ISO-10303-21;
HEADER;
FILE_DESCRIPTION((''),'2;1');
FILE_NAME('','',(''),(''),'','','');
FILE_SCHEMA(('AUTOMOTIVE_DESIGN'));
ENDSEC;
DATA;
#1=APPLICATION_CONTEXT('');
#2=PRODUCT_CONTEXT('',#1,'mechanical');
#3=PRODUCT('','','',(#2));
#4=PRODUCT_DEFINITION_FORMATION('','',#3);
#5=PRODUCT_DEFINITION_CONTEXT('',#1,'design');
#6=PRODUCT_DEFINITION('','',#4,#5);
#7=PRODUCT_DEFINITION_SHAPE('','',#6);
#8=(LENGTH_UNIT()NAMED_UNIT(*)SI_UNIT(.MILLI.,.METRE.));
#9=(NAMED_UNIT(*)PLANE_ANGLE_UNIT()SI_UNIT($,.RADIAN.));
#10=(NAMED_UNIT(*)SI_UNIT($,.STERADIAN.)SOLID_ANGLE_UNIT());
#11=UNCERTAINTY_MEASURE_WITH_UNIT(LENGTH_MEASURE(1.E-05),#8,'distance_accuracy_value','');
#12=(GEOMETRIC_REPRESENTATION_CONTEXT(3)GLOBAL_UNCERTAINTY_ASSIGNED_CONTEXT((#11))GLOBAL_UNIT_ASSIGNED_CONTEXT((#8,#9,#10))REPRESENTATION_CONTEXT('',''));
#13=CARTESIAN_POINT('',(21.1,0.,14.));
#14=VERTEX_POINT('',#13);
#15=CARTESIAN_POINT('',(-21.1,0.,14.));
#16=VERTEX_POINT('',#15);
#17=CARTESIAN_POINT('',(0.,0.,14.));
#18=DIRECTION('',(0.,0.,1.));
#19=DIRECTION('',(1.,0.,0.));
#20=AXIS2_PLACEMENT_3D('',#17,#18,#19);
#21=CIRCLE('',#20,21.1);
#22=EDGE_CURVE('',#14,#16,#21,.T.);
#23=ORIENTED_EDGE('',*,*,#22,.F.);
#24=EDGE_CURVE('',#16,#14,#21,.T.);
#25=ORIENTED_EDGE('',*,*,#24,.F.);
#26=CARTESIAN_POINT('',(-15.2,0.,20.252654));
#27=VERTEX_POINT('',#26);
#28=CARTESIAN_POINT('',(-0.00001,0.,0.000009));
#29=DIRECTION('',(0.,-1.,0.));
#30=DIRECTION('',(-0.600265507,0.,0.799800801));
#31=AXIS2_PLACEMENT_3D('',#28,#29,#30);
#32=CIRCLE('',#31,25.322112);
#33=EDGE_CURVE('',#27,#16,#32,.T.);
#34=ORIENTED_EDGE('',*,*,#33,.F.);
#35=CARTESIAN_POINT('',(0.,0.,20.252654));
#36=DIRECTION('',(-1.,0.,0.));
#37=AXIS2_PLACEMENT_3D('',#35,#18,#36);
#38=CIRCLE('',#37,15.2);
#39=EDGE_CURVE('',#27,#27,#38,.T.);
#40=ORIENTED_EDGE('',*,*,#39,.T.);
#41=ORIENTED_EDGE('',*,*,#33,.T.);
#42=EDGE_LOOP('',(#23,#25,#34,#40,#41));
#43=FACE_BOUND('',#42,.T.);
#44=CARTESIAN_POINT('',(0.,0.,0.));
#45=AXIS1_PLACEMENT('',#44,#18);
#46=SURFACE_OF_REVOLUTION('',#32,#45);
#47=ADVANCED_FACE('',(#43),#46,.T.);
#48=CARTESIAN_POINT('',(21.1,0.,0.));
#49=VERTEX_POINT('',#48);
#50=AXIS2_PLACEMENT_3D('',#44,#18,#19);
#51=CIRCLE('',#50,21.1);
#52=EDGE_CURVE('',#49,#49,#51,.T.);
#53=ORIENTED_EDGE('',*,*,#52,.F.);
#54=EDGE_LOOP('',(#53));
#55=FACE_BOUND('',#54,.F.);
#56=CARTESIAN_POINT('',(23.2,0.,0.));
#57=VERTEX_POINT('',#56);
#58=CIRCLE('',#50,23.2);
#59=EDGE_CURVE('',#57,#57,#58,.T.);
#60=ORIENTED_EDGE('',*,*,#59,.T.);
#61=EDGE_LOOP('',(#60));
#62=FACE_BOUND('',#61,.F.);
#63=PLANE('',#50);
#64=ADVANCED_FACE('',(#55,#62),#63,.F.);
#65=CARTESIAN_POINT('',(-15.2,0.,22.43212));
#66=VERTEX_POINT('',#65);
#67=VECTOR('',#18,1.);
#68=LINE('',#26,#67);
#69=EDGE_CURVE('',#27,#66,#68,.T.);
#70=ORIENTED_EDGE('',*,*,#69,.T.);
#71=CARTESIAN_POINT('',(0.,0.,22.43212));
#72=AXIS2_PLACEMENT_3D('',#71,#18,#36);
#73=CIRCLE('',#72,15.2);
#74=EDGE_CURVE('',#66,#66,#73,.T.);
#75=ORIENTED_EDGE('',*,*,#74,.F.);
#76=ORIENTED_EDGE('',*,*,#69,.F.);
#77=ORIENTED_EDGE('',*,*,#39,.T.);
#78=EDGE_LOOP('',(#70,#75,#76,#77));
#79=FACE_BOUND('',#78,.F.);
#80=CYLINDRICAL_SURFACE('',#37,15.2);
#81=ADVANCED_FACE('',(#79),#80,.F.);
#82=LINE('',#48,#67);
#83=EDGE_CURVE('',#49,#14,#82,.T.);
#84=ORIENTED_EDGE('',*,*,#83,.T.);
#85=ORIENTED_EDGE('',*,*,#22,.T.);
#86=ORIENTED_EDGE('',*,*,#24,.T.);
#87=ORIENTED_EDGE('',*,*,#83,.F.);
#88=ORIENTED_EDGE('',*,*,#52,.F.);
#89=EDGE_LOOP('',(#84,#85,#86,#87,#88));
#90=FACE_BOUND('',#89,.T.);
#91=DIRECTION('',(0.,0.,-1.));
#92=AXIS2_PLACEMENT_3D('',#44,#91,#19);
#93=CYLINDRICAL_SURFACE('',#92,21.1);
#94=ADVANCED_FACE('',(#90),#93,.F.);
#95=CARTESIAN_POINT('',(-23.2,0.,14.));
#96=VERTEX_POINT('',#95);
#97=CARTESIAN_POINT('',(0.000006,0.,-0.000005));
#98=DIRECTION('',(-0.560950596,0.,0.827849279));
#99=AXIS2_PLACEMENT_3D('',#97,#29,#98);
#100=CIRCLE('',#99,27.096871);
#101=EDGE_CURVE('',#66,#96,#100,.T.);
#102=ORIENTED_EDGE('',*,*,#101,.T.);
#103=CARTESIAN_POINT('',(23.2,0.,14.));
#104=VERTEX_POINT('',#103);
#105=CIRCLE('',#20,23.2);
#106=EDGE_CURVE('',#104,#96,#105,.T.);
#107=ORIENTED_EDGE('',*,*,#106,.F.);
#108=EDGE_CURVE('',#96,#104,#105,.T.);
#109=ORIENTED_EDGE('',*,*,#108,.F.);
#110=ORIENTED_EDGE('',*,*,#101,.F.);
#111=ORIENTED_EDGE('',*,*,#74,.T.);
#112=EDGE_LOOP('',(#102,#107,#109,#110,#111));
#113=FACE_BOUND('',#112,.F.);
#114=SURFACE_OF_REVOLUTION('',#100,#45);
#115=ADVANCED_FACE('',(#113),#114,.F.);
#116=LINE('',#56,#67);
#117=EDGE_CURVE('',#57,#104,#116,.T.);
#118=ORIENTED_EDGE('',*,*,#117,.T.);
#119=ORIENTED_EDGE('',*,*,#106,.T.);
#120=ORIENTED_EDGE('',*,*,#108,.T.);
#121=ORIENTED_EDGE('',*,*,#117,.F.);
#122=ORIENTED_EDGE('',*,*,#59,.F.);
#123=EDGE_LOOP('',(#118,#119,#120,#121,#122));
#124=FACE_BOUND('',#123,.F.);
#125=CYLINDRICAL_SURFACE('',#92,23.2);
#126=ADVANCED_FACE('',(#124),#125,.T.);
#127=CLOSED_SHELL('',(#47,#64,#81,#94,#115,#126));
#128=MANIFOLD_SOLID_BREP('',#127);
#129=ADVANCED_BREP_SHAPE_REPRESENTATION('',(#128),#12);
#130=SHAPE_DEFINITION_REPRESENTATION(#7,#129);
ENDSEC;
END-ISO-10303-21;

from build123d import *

# Parameters (mm, degrees)
SKETCH_R   = 23.2
SKETCH_R_2 = 21.1
PAD_DEPTH  = 14


with BuildPart() as body001:
    # Sketch001 → Revolution (revolve)
    with BuildSketch(Plane.XZ):
        with BuildLine():
            ThreePointArc((-15.2, 20.252654), (-18.417286, 17.378538), (-21.1, 14))
            Line((-21.1, 14), (-23.2, 14))
            ThreePointArc((-15.2, 22.43212), (-19.657445, 18.650063), (-23.2, 14))
            Line((-15.2, 20.252654), (-15.2, 22.43212))
        make_face()
    revolve(axis=Axis((0, 0, 0), (0, 0, 1)))


with BuildPart() as body:
    # Sketch → Pad (new body)
    with BuildSketch(Plane.XY):
        Circle(SKETCH_R)
        Circle(SKETCH_R_2, mode=Mode.SUBTRACT)
    extrude(amount=PAD_DEPTH)

    # Boolean: union Body001
    add(body001.part)


solid = body.part
